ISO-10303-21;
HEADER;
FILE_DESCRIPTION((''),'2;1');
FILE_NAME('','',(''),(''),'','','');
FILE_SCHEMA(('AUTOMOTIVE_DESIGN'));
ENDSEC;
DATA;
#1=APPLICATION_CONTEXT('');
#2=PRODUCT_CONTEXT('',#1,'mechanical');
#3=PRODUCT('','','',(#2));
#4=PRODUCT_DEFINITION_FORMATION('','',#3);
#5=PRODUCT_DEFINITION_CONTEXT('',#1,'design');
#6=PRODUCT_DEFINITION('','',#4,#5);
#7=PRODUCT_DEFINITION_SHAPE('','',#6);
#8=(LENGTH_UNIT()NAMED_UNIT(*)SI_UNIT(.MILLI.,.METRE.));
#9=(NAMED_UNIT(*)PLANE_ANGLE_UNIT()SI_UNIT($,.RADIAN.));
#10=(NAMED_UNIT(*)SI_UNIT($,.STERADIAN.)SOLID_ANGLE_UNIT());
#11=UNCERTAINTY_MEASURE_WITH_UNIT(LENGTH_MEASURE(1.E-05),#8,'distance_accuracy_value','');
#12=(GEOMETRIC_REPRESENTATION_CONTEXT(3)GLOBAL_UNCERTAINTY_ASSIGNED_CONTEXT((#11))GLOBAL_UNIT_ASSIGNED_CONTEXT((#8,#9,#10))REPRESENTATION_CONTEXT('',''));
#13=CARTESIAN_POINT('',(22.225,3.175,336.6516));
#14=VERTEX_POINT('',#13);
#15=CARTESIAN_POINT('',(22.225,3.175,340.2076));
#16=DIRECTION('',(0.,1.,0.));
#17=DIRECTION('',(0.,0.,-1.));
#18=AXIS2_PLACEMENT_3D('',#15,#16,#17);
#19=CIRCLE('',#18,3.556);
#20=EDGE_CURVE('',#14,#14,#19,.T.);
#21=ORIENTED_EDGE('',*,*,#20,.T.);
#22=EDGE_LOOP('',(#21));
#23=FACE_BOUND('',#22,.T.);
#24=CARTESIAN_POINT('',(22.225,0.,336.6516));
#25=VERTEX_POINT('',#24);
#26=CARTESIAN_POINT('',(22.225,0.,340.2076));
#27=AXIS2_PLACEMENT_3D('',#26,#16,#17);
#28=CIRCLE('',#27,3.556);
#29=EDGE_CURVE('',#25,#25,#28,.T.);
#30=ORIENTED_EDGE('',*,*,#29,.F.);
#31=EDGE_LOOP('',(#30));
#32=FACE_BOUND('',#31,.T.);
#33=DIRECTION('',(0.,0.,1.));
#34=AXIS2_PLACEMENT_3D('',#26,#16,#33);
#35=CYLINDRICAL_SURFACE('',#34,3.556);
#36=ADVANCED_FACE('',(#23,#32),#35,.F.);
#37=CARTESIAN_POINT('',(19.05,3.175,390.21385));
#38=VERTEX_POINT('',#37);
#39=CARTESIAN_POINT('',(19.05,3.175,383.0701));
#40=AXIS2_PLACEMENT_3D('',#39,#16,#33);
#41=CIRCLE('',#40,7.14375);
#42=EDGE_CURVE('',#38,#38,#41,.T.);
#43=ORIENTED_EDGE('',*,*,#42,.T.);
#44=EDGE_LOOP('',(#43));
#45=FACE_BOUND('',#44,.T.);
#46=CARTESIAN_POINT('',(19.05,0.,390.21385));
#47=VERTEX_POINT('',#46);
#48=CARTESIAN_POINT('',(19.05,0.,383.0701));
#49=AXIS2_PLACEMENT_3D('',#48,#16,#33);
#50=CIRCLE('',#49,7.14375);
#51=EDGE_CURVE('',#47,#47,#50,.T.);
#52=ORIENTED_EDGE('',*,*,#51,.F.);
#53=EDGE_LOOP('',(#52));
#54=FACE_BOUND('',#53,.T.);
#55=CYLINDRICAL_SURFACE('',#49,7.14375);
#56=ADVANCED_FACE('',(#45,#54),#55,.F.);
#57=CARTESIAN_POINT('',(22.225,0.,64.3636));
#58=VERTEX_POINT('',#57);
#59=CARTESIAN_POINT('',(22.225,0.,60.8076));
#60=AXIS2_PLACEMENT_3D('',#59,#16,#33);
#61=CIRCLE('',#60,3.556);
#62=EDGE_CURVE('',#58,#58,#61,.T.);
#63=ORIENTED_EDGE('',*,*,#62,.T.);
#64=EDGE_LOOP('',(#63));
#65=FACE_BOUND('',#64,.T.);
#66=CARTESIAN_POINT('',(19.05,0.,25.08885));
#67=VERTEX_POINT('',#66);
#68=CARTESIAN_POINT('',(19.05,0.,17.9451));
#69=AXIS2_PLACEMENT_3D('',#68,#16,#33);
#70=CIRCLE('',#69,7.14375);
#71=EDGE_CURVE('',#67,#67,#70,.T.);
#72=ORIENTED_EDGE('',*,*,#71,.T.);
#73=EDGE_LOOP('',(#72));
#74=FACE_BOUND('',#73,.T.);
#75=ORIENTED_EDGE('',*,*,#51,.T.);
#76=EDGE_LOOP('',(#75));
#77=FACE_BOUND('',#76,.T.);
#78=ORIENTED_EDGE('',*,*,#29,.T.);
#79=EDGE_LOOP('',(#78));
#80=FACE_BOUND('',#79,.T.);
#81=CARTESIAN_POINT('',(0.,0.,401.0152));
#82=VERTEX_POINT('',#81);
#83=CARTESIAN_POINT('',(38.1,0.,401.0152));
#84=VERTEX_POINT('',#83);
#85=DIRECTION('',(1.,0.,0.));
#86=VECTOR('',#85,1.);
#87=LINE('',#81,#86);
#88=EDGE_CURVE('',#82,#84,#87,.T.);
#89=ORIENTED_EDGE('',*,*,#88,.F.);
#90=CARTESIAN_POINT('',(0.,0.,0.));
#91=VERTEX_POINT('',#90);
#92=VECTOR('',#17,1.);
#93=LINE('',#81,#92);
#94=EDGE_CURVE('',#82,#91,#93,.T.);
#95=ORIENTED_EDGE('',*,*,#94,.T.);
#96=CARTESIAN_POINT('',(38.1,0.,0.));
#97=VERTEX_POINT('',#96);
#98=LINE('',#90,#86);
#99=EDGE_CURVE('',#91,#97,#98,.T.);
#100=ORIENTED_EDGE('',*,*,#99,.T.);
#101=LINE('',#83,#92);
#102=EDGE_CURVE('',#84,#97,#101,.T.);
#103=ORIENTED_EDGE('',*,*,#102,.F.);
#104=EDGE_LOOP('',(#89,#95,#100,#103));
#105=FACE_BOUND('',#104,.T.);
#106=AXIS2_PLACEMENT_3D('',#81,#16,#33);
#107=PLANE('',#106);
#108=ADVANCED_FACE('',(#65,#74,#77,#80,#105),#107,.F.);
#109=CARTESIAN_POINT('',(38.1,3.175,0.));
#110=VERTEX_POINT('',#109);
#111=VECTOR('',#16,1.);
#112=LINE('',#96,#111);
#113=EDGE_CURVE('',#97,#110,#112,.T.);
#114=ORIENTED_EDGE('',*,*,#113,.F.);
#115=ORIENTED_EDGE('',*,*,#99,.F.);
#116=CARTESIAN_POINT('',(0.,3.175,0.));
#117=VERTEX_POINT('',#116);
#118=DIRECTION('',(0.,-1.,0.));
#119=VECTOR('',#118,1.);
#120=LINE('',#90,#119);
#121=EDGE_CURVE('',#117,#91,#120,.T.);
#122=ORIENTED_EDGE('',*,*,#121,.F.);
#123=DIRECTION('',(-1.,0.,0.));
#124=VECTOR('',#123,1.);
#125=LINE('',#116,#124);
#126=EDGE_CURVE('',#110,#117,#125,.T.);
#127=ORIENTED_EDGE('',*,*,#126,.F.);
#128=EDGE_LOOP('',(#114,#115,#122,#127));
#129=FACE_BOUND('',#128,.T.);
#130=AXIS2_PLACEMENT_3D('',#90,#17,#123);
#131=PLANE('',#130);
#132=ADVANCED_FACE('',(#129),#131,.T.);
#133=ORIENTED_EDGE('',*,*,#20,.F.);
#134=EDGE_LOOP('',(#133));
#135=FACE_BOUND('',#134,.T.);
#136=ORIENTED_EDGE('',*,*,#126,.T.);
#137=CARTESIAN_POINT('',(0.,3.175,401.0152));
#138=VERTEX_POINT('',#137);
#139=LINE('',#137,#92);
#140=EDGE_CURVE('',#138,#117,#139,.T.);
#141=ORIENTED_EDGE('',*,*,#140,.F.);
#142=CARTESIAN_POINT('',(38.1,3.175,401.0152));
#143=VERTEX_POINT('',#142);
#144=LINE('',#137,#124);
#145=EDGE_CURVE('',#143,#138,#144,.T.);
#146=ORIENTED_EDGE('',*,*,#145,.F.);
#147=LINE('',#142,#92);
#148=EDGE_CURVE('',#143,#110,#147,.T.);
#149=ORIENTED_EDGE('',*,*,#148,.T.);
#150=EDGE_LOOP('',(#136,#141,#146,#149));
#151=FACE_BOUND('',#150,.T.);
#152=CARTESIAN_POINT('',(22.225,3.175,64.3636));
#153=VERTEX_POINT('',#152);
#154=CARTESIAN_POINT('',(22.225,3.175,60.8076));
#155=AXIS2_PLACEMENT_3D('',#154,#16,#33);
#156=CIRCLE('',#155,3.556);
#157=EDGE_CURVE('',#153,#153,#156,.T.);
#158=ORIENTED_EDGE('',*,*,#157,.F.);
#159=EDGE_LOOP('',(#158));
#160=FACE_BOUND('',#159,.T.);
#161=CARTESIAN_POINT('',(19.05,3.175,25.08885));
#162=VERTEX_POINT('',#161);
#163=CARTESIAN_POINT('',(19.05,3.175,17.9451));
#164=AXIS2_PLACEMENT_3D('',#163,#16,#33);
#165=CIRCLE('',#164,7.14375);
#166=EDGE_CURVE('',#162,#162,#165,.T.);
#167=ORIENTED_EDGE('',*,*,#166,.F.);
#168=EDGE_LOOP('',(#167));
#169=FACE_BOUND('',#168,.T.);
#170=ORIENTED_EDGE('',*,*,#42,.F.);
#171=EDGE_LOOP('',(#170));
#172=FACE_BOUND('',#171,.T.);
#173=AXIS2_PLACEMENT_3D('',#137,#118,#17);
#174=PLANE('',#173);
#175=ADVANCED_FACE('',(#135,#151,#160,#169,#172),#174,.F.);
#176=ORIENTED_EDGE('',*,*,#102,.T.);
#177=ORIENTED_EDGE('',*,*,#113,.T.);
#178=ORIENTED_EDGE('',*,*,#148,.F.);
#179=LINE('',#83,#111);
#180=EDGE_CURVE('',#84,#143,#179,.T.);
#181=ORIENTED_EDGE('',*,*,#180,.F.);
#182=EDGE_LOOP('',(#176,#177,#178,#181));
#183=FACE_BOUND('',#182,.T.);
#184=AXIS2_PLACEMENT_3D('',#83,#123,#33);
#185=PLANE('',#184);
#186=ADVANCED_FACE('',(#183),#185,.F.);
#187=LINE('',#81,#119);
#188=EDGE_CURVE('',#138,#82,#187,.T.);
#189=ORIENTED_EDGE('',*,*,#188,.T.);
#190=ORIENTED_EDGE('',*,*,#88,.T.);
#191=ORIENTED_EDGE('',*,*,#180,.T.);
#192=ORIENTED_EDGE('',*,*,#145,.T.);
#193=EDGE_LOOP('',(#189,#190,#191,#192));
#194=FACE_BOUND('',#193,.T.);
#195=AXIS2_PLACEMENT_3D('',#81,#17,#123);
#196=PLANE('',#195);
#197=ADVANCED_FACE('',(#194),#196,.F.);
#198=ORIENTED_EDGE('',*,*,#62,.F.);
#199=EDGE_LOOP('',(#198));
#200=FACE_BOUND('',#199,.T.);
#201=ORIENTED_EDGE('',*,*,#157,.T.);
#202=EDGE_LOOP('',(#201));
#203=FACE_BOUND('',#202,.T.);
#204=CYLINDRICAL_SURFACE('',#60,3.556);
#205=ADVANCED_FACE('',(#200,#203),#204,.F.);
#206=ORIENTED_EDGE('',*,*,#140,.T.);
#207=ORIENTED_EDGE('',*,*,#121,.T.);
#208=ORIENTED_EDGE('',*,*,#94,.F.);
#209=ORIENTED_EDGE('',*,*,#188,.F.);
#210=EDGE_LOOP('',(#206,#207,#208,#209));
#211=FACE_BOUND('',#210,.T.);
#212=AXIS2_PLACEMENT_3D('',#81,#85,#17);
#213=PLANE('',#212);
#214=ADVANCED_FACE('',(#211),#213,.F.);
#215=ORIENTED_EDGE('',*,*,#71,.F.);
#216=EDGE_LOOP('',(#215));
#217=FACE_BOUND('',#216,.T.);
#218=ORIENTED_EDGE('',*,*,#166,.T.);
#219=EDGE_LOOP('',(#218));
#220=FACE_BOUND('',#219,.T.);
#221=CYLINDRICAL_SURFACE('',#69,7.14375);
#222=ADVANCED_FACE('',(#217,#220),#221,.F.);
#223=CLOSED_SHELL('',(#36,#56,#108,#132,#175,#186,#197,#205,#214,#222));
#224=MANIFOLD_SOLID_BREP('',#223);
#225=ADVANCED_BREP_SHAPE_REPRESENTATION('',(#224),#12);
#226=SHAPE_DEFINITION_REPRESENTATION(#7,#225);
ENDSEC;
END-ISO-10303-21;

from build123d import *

# Parameters (mm, degrees)
SKETCH1_W           = 38.1
SKETCH1_H           = 3.175
BOSS_EXTRUDE1_DEPTH = 401.0152
SKETCH2_R           = 7.14375
SKETCH2_R_2         = 3.556
CUT_EXTRUDE1_DEPTH  = 403.833565205


with BuildPart() as part:
    # Sketch1 → Boss-Extrude1 (new body)
    with BuildSketch(Plane.XY):
        with Locations((19.05, 1.5875)):
            Rectangle(SKETCH1_W, SKETCH1_H)
    extrude(amount=BOSS_EXTRUDE1_DEPTH)

    # Sketch2 → Cut-Extrude1 (cut, through all)
    with BuildSketch(Plane(origin=(0, 3.175, 0), x_dir=(1, 0, 0), z_dir=(0, 1, 0))):
        with Locations(Location((19.05, -383.0701, 0), (0, 0, 270))):
            Circle(SKETCH2_R)
        with Locations(Location((19.05, -17.9451, 0), (0, 0, 270))):
            Circle(SKETCH2_R)
        with Locations(Location((22.225, -60.8076, 0), (0, 0, 270))):
            Circle(SKETCH2_R_2)
        with Locations(Location((22.225, -340.2076, 0), (0, 0, 90))):
            Circle(SKETCH2_R_2)
    extrude(amount=-CUT_EXTRUDE1_DEPTH, mode=Mode.SUBTRACT)


solid = part.part
